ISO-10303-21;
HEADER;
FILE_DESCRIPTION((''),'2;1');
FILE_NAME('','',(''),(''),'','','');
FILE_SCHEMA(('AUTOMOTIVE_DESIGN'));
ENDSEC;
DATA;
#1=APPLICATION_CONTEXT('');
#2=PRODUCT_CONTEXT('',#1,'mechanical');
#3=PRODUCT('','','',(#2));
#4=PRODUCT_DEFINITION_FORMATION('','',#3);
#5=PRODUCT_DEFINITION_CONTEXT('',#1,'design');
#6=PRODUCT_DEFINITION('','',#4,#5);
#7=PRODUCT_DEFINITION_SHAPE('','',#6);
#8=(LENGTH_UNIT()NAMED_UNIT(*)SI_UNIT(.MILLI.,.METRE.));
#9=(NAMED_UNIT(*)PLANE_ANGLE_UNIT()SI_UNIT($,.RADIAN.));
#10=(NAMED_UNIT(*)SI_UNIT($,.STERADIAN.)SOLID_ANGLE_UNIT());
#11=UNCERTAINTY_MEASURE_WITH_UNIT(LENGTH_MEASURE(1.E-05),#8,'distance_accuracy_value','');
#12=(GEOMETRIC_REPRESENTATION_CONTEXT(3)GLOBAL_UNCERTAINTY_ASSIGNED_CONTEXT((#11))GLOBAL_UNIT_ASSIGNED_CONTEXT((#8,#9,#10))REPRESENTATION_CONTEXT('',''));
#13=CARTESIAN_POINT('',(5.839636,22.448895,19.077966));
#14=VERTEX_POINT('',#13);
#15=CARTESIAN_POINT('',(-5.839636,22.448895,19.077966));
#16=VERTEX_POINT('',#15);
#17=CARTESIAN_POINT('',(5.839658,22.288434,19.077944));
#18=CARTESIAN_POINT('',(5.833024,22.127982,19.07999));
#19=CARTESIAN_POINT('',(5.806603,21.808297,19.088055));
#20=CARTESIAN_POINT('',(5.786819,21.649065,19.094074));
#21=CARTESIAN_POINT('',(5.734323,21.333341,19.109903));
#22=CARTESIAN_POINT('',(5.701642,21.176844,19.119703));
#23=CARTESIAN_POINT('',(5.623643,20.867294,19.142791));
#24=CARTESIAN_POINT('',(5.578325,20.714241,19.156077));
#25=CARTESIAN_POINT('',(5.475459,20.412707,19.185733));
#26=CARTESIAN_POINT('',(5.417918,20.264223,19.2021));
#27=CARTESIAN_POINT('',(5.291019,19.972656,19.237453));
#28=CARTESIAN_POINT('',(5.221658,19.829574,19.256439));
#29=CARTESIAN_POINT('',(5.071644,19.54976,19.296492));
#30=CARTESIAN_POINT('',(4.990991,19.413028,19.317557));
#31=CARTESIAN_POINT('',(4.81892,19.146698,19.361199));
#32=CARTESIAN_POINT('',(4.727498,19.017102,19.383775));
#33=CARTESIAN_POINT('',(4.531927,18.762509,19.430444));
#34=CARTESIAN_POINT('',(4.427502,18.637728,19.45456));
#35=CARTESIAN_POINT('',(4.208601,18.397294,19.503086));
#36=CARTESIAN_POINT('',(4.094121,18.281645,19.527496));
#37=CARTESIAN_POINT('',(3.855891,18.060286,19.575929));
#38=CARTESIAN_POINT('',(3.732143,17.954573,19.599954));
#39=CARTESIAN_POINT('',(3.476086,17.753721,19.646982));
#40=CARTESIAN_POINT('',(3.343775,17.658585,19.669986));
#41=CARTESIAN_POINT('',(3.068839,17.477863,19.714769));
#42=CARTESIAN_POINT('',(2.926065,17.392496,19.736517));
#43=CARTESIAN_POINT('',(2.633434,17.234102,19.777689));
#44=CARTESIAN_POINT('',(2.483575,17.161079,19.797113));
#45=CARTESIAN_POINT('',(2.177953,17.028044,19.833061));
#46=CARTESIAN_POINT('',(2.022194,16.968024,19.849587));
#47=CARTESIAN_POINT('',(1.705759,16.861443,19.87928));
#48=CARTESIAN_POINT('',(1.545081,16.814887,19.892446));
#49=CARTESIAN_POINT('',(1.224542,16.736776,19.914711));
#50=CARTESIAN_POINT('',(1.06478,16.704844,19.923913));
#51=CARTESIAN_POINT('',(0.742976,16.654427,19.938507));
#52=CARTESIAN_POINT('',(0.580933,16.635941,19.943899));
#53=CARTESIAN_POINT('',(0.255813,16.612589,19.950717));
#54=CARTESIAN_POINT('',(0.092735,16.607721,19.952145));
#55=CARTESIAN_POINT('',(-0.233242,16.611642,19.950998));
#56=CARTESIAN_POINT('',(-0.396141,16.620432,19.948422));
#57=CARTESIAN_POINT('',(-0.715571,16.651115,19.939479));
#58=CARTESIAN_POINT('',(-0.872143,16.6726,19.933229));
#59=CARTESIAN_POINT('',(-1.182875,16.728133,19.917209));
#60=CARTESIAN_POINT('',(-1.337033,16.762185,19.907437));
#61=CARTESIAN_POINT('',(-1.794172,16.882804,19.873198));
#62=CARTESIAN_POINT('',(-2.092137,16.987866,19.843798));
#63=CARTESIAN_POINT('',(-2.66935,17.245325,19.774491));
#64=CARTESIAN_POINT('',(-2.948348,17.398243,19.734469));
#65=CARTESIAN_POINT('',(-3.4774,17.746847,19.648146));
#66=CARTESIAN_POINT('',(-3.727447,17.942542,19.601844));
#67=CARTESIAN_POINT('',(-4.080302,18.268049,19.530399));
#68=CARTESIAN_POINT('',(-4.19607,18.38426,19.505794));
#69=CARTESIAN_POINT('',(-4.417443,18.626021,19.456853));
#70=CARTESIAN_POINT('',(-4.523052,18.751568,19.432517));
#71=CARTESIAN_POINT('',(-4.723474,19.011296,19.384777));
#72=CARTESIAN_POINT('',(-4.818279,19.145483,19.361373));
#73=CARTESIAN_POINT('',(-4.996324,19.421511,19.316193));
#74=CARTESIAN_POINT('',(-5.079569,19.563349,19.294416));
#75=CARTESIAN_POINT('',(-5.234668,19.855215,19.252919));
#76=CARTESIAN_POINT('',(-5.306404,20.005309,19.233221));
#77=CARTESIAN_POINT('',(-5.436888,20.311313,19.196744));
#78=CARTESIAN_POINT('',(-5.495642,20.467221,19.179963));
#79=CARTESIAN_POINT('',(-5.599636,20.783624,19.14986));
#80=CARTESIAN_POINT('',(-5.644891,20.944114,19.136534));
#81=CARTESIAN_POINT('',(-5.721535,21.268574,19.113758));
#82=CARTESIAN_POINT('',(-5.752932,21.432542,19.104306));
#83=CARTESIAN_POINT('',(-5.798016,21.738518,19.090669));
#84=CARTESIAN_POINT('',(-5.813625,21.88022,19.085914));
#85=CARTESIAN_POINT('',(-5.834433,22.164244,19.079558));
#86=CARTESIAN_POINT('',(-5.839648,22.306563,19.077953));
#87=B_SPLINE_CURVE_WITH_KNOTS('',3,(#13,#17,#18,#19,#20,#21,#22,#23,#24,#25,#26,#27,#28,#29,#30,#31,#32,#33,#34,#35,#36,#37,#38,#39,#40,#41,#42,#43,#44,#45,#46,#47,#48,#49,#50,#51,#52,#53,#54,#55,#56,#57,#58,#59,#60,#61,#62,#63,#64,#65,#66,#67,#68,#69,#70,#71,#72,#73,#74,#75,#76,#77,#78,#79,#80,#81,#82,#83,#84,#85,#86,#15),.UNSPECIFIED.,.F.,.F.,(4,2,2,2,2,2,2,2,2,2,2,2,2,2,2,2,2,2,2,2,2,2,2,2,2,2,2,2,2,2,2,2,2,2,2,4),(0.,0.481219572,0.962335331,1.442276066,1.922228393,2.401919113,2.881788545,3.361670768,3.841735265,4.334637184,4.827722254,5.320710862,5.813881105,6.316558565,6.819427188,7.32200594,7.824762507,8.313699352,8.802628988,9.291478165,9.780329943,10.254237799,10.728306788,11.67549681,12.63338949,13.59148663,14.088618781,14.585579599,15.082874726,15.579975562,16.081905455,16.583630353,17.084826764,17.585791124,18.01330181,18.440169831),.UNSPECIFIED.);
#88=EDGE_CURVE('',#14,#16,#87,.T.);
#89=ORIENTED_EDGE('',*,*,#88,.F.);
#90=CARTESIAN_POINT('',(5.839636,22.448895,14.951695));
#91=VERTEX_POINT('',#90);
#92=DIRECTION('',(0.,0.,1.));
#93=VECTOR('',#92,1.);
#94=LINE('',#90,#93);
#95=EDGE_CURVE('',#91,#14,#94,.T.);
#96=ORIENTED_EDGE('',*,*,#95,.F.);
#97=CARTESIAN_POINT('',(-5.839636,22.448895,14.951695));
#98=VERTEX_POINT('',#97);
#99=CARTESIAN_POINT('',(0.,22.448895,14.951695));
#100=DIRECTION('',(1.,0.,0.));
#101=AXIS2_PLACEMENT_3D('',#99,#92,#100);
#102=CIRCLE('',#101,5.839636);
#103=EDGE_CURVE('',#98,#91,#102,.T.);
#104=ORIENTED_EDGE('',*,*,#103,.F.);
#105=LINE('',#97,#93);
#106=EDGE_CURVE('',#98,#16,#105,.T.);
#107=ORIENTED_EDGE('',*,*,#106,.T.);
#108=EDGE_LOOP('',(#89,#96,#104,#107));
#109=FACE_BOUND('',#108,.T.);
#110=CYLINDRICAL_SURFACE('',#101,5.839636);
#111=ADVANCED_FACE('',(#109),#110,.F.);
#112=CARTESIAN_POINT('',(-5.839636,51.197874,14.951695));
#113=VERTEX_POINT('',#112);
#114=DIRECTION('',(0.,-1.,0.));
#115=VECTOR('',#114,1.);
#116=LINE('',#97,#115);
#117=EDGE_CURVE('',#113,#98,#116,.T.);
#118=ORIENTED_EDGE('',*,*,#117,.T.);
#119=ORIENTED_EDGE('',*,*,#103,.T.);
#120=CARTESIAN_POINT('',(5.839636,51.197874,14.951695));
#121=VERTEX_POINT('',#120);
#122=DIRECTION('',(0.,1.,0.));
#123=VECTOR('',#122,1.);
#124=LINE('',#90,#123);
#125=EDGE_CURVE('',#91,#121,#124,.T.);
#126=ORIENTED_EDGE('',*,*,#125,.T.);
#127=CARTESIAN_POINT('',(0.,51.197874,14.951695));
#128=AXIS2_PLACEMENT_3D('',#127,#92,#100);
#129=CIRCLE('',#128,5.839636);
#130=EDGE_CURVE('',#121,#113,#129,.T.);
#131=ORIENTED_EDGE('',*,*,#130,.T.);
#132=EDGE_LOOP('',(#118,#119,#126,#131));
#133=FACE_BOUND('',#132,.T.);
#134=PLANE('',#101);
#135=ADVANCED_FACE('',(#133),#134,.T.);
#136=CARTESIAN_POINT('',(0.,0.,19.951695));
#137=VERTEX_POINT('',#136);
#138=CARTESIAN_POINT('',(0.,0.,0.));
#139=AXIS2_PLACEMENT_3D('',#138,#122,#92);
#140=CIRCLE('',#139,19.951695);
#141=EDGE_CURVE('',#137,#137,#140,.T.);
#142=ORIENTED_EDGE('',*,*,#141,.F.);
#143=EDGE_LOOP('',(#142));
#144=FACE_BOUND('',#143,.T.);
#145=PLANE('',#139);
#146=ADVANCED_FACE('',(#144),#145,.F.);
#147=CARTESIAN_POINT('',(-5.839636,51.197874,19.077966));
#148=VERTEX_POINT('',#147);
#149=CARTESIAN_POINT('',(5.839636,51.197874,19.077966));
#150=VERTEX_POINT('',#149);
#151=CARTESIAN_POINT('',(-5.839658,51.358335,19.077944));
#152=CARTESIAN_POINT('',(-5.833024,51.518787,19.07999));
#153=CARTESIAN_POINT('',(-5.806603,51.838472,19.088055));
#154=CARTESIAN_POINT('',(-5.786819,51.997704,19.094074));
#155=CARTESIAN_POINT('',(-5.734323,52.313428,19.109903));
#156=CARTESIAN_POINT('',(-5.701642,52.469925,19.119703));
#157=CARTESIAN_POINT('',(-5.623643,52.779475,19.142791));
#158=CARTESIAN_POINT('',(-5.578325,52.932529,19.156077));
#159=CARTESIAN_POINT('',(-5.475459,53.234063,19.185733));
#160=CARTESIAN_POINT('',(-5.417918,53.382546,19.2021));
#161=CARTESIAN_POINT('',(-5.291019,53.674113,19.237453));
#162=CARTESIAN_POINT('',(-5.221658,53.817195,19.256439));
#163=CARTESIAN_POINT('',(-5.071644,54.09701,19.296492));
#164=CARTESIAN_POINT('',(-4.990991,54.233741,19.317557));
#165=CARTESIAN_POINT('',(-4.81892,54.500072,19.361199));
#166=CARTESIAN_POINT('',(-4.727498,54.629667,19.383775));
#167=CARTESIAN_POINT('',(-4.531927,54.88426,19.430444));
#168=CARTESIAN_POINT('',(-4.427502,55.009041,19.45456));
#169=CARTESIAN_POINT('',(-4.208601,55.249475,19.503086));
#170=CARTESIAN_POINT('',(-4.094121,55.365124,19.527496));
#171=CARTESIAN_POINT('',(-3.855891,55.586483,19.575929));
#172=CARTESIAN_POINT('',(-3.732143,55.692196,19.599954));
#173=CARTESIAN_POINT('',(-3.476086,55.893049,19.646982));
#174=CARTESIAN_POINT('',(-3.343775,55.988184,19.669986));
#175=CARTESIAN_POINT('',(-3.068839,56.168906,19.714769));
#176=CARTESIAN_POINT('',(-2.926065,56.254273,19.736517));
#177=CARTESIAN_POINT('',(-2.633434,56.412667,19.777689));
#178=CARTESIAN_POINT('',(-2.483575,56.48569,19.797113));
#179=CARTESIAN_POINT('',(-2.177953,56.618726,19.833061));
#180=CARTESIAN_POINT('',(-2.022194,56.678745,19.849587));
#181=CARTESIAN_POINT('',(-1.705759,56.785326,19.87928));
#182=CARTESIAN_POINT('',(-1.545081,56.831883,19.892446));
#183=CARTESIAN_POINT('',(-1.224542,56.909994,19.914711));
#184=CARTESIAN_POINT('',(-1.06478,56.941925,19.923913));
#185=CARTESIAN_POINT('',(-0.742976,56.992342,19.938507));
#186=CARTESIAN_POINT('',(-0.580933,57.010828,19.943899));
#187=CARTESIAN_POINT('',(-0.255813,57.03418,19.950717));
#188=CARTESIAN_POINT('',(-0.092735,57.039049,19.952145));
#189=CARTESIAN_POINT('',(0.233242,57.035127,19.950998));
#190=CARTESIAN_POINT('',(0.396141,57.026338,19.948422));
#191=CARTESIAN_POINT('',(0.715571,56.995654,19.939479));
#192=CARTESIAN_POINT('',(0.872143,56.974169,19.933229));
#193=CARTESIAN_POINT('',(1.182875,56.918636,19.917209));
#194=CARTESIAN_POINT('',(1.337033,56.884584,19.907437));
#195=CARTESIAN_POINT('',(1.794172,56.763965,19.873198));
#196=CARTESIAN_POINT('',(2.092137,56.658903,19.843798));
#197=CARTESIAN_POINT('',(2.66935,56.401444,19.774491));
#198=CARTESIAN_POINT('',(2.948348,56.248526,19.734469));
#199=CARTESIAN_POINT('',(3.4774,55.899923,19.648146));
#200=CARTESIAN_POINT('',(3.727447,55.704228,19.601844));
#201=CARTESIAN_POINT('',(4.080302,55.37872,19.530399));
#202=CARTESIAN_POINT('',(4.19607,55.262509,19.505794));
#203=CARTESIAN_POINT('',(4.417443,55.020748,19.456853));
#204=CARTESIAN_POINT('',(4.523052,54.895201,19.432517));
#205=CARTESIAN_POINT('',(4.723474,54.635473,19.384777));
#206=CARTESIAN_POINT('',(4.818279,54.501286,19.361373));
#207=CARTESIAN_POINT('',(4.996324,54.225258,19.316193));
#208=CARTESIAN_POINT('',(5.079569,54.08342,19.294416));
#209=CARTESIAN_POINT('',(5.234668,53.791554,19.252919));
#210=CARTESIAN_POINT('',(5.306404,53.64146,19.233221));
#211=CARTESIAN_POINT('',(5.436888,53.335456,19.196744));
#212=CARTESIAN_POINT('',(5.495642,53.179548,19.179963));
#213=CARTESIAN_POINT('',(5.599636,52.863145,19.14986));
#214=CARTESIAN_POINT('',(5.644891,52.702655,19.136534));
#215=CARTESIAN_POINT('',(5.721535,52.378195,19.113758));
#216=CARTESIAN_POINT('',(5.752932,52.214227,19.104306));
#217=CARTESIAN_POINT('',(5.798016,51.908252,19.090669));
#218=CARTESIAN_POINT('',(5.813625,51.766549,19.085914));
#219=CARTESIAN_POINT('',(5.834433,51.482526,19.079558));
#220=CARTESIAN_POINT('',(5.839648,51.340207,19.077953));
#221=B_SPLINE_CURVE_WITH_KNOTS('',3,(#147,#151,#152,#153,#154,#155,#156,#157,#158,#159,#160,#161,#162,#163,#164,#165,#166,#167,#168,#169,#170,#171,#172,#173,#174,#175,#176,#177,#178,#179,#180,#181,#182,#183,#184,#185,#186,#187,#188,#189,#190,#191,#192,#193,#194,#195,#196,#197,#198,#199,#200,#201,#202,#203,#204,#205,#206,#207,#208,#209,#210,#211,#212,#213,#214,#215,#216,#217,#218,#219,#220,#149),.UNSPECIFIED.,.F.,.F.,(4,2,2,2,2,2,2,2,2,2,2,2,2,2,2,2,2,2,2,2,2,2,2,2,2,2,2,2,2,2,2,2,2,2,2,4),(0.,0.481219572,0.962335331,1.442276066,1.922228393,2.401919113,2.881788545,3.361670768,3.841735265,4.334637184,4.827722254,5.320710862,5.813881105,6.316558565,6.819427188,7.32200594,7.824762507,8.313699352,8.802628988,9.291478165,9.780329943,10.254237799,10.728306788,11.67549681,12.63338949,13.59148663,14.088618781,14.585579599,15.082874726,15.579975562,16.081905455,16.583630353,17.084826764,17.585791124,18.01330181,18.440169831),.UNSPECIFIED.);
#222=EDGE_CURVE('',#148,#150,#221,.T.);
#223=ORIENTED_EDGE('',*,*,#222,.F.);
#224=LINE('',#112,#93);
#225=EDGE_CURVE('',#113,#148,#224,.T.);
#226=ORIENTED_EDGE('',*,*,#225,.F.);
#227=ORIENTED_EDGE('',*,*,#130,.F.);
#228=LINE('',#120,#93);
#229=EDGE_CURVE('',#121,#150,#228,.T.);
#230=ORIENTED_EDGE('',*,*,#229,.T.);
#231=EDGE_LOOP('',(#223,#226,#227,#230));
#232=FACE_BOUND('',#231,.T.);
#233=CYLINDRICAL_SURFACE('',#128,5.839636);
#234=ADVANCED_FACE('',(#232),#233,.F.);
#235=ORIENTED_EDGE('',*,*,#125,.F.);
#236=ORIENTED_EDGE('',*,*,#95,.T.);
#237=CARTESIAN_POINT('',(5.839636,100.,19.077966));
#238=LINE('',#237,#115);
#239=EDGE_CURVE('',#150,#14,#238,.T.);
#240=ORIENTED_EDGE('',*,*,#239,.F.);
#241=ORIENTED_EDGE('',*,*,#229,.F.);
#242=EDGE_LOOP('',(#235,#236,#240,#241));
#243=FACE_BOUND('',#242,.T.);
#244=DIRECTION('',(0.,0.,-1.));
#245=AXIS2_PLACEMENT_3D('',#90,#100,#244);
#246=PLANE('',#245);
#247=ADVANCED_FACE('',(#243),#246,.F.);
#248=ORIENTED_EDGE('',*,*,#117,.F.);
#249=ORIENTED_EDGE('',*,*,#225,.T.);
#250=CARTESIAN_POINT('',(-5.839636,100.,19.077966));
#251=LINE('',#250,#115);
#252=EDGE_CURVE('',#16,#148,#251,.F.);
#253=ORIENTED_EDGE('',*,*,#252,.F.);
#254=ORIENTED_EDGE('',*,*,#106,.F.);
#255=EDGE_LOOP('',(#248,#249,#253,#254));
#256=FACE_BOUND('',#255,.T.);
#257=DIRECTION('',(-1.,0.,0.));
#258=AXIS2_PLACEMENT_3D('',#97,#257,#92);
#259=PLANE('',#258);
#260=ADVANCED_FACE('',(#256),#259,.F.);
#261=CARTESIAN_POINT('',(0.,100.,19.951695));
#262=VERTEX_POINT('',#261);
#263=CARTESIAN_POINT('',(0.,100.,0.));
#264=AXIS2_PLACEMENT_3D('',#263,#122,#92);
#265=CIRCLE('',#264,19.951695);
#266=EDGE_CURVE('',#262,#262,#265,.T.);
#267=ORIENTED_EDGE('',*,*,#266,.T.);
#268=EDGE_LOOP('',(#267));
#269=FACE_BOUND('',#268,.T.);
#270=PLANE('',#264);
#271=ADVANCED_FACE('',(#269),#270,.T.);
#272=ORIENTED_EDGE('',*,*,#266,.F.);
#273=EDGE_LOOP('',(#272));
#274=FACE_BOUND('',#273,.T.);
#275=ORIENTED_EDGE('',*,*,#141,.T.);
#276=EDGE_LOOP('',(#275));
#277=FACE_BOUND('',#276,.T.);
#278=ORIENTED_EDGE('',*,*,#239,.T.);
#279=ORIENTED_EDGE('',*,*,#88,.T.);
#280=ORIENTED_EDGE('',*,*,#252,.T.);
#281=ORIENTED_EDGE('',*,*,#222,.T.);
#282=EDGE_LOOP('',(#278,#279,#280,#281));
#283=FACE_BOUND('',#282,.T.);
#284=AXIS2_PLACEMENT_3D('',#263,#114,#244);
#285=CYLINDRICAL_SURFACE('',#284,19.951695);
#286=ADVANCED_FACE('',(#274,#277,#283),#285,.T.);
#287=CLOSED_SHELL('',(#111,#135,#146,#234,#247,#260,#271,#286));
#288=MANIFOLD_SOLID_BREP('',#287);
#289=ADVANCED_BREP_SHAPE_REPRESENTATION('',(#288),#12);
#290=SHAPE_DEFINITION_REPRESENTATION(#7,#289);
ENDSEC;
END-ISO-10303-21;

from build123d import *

# Parameters (mm, degrees)
SKETCH_1_R          = 19.95169504
EXTRUDE_1_DEPTH     = 100
CUT_EXTRUDE_1_DEPTH = 5


with BuildPart() as part:
    # 草图1 → 凸台-拉伸1 (new body)
    with BuildSketch(Plane(origin=(0, 0, 0), x_dir=(1, 0, 0), z_dir=(0, 1, 0))):
        Circle(SKETCH_1_R)
    extrude(amount=EXTRUDE_1_DEPTH)

    # 草图2 → 切除-拉伸1 (cut)
    with BuildSketch(Plane.XY.offset(19.95169504)):
        with BuildLine():
            Line((-5.839636377, 22.448895044), (-5.839636377, 51.197874129))
            ThreePointArc((-5.839636377, 51.197874129), (0, 57.037510505), (5.839636377, 51.197874129))
            Line((5.839636377, 51.197874129), (5.839636377, 22.448895044))
            ThreePointArc((5.839636377, 22.448895044), (0, 16.609258667), (-5.839636377, 22.448895044))
        make_face()
    extrude(amount=-CUT_EXTRUDE_1_DEPTH, mode=Mode.SUBTRACT)


solid = part.part
